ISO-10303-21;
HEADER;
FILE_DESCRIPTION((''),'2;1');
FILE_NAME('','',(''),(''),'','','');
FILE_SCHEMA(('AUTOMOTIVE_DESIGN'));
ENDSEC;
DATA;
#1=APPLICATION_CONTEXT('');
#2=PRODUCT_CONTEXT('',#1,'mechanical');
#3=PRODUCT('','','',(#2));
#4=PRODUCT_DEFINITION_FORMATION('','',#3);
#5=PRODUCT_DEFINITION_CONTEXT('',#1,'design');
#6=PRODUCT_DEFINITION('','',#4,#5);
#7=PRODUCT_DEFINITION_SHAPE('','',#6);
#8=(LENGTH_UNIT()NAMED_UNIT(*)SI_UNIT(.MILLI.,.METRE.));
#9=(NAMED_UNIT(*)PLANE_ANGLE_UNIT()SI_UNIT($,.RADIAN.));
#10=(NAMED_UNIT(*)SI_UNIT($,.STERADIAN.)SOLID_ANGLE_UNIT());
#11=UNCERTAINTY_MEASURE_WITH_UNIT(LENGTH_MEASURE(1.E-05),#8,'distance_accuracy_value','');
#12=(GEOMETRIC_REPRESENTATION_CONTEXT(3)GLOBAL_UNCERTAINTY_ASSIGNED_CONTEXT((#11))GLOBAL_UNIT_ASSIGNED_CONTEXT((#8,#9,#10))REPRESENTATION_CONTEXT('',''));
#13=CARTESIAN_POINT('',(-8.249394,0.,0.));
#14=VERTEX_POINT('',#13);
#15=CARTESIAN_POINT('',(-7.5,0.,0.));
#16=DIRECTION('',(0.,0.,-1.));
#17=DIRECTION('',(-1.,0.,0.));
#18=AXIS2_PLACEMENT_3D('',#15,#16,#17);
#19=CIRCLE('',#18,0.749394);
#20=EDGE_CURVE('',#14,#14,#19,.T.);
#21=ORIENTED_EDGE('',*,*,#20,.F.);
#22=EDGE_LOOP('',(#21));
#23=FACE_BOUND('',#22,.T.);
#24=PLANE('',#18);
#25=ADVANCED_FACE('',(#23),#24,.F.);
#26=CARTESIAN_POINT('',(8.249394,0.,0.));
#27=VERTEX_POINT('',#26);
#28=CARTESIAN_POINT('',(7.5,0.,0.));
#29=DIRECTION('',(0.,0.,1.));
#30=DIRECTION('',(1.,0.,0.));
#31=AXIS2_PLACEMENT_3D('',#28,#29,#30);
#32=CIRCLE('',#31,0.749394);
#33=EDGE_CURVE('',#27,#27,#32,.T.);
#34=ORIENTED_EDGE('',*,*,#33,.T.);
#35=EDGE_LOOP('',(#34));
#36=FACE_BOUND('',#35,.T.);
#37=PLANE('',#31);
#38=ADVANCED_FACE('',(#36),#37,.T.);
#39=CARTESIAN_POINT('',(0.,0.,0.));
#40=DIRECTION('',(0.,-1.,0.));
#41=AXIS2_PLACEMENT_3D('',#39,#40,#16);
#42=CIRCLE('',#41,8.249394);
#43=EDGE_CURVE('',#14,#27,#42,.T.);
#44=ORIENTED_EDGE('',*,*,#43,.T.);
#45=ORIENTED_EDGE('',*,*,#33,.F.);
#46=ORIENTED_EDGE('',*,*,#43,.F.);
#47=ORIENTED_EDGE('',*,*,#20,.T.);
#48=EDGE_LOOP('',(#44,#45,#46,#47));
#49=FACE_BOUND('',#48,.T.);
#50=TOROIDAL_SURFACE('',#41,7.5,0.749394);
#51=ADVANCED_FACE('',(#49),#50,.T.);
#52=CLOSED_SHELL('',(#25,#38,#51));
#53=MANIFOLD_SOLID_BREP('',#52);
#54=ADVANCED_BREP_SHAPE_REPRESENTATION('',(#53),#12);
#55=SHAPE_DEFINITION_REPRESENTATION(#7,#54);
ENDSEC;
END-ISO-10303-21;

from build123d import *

# Parameters (mm, degrees)
ESQUISSE1_R       = 0.749394307
R_VOLUTION1_ANGLE = 180


with BuildPart() as part:
    # Esquisse1 → Révolution1 (revolve)
    with BuildSketch(Plane.XY):
        with Locations((7.5, 0)):
            Circle(ESQUISSE1_R)
    revolve(axis=Axis((0, -1.85310013, 0), (0, 1, 0)), revolution_arc=R_VOLUTION1_ANGLE)


solid = part.part
